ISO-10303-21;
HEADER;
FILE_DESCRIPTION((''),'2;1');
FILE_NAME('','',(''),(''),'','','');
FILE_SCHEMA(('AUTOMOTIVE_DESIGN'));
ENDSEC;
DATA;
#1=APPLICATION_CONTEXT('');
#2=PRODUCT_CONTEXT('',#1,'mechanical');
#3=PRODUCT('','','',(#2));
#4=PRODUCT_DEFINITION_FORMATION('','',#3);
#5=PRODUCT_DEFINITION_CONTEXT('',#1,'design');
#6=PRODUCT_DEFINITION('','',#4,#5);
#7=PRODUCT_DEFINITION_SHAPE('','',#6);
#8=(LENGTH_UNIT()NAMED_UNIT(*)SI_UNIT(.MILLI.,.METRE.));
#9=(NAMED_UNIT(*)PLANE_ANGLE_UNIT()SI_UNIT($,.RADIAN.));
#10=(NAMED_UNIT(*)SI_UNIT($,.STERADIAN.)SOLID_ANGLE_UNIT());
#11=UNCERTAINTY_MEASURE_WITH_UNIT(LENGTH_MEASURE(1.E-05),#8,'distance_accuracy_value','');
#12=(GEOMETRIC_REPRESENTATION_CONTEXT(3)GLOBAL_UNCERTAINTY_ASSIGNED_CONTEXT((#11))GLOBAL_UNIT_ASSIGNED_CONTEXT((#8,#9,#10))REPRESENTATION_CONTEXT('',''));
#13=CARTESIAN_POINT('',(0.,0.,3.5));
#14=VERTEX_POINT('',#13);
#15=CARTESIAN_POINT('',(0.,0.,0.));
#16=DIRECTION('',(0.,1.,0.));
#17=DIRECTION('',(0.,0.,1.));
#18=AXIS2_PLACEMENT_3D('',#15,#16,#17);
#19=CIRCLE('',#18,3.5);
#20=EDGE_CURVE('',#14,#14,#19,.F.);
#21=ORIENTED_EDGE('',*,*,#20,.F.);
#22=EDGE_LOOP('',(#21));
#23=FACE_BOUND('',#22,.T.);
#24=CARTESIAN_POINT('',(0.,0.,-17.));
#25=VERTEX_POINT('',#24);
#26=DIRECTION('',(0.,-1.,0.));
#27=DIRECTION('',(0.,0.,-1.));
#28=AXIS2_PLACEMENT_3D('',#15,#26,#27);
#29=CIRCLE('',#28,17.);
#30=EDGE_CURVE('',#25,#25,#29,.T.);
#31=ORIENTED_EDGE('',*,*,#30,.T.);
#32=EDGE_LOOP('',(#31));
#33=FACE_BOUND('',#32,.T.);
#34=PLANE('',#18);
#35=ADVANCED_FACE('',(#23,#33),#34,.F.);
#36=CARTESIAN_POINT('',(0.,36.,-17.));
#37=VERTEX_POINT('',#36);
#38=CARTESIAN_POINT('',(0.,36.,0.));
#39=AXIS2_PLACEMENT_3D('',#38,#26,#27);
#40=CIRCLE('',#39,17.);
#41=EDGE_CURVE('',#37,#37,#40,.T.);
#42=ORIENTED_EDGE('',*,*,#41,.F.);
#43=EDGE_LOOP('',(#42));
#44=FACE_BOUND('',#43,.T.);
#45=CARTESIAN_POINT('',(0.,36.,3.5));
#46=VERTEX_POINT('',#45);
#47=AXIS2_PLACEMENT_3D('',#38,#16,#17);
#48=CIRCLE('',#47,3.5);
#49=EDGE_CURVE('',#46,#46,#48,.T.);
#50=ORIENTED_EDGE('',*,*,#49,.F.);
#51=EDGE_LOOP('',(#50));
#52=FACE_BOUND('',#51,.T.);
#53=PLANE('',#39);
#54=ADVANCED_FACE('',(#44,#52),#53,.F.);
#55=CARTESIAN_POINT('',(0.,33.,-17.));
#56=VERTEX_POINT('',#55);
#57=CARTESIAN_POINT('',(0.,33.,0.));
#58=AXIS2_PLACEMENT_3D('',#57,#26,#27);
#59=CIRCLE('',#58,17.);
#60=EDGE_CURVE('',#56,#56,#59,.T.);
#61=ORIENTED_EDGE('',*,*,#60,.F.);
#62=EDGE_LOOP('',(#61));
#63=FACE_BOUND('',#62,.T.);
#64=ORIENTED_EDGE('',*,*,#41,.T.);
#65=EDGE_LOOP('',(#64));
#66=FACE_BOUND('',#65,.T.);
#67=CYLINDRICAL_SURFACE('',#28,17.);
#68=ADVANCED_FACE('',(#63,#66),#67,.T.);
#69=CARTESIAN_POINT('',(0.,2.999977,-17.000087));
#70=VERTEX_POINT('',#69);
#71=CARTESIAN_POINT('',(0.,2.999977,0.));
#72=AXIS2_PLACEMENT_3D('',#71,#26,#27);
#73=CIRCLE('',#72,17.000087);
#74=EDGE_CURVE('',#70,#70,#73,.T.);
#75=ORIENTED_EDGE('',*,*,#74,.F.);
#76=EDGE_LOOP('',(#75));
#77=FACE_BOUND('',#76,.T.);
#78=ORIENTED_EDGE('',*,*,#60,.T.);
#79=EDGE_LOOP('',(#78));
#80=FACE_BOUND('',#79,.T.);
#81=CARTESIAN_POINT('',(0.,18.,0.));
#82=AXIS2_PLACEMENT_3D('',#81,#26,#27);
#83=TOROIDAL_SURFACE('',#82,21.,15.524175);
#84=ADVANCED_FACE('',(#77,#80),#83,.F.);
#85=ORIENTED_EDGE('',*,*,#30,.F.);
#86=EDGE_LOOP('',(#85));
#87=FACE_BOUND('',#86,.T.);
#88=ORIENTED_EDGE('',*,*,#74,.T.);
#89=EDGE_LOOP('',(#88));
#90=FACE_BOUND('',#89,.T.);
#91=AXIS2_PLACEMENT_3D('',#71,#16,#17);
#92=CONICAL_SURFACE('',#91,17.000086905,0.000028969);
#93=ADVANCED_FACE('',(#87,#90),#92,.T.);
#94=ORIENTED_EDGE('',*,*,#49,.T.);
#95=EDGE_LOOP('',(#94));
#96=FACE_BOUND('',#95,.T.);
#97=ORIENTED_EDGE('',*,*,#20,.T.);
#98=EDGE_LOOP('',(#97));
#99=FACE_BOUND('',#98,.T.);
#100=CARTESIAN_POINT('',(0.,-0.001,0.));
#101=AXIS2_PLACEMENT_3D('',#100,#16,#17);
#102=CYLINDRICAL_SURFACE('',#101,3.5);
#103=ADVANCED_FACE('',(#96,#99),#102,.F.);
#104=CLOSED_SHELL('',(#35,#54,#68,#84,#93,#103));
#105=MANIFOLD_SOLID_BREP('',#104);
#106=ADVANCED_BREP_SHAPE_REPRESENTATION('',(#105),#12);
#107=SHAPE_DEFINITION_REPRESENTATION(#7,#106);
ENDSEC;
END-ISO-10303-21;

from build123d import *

# Parameters (mm, degrees)
CUT_EXTRUDE1_REACH = 45.29
SKETCH3_R          = 3.5


with BuildPart() as part:
    # Sketch1 → Revolve1 (revolve)
    with BuildSketch(Plane.XY, mode=Mode.PRIVATE) as revolve1_sk:
        with BuildLine():
            Line((0, 0), (0, 36))
            Line((0, 36), (-17, 36))
            Line((-17, 36), (-17, 33))
            ThreePointArc((-17, 33), (-5.475825304, 17.999955029), (-17.000086905, 2.999976826))
            Line((-17.000086905, 2.999976826), (-17, 0))
            Line((-17, 0), (0, 0))
        make_face()
    revolve(revolve1_sk.sketch.rotate(Axis((0, 0, 0), (0, 1, 0)), 270), axis=Axis((0, 0, 0), (0, 1, 0)))

    # Sketch3 → Cut-Extrude1 (cut, up to next)
    with BuildSketch(Plane(origin=(0, 36, 0), x_dir=(1, 0, 0), z_dir=(0, 1, 0)), mode=Mode.PRIVATE) as cut_extrude1_sk1:
        with Locations(Location((0, 0, 0), (0, 0, 270))):
            Circle(SKETCH3_R)
    cut_extrude1_tool1 = extrude(cut_extrude1_sk1.sketch, amount=-CUT_EXTRUDE1_REACH, mode=Mode.PRIVATE) & part.part
    add(cut_extrude1_tool1.solids().sort_by_distance((0, 36, 0))[0], mode=Mode.SUBTRACT)


solid = part.part
